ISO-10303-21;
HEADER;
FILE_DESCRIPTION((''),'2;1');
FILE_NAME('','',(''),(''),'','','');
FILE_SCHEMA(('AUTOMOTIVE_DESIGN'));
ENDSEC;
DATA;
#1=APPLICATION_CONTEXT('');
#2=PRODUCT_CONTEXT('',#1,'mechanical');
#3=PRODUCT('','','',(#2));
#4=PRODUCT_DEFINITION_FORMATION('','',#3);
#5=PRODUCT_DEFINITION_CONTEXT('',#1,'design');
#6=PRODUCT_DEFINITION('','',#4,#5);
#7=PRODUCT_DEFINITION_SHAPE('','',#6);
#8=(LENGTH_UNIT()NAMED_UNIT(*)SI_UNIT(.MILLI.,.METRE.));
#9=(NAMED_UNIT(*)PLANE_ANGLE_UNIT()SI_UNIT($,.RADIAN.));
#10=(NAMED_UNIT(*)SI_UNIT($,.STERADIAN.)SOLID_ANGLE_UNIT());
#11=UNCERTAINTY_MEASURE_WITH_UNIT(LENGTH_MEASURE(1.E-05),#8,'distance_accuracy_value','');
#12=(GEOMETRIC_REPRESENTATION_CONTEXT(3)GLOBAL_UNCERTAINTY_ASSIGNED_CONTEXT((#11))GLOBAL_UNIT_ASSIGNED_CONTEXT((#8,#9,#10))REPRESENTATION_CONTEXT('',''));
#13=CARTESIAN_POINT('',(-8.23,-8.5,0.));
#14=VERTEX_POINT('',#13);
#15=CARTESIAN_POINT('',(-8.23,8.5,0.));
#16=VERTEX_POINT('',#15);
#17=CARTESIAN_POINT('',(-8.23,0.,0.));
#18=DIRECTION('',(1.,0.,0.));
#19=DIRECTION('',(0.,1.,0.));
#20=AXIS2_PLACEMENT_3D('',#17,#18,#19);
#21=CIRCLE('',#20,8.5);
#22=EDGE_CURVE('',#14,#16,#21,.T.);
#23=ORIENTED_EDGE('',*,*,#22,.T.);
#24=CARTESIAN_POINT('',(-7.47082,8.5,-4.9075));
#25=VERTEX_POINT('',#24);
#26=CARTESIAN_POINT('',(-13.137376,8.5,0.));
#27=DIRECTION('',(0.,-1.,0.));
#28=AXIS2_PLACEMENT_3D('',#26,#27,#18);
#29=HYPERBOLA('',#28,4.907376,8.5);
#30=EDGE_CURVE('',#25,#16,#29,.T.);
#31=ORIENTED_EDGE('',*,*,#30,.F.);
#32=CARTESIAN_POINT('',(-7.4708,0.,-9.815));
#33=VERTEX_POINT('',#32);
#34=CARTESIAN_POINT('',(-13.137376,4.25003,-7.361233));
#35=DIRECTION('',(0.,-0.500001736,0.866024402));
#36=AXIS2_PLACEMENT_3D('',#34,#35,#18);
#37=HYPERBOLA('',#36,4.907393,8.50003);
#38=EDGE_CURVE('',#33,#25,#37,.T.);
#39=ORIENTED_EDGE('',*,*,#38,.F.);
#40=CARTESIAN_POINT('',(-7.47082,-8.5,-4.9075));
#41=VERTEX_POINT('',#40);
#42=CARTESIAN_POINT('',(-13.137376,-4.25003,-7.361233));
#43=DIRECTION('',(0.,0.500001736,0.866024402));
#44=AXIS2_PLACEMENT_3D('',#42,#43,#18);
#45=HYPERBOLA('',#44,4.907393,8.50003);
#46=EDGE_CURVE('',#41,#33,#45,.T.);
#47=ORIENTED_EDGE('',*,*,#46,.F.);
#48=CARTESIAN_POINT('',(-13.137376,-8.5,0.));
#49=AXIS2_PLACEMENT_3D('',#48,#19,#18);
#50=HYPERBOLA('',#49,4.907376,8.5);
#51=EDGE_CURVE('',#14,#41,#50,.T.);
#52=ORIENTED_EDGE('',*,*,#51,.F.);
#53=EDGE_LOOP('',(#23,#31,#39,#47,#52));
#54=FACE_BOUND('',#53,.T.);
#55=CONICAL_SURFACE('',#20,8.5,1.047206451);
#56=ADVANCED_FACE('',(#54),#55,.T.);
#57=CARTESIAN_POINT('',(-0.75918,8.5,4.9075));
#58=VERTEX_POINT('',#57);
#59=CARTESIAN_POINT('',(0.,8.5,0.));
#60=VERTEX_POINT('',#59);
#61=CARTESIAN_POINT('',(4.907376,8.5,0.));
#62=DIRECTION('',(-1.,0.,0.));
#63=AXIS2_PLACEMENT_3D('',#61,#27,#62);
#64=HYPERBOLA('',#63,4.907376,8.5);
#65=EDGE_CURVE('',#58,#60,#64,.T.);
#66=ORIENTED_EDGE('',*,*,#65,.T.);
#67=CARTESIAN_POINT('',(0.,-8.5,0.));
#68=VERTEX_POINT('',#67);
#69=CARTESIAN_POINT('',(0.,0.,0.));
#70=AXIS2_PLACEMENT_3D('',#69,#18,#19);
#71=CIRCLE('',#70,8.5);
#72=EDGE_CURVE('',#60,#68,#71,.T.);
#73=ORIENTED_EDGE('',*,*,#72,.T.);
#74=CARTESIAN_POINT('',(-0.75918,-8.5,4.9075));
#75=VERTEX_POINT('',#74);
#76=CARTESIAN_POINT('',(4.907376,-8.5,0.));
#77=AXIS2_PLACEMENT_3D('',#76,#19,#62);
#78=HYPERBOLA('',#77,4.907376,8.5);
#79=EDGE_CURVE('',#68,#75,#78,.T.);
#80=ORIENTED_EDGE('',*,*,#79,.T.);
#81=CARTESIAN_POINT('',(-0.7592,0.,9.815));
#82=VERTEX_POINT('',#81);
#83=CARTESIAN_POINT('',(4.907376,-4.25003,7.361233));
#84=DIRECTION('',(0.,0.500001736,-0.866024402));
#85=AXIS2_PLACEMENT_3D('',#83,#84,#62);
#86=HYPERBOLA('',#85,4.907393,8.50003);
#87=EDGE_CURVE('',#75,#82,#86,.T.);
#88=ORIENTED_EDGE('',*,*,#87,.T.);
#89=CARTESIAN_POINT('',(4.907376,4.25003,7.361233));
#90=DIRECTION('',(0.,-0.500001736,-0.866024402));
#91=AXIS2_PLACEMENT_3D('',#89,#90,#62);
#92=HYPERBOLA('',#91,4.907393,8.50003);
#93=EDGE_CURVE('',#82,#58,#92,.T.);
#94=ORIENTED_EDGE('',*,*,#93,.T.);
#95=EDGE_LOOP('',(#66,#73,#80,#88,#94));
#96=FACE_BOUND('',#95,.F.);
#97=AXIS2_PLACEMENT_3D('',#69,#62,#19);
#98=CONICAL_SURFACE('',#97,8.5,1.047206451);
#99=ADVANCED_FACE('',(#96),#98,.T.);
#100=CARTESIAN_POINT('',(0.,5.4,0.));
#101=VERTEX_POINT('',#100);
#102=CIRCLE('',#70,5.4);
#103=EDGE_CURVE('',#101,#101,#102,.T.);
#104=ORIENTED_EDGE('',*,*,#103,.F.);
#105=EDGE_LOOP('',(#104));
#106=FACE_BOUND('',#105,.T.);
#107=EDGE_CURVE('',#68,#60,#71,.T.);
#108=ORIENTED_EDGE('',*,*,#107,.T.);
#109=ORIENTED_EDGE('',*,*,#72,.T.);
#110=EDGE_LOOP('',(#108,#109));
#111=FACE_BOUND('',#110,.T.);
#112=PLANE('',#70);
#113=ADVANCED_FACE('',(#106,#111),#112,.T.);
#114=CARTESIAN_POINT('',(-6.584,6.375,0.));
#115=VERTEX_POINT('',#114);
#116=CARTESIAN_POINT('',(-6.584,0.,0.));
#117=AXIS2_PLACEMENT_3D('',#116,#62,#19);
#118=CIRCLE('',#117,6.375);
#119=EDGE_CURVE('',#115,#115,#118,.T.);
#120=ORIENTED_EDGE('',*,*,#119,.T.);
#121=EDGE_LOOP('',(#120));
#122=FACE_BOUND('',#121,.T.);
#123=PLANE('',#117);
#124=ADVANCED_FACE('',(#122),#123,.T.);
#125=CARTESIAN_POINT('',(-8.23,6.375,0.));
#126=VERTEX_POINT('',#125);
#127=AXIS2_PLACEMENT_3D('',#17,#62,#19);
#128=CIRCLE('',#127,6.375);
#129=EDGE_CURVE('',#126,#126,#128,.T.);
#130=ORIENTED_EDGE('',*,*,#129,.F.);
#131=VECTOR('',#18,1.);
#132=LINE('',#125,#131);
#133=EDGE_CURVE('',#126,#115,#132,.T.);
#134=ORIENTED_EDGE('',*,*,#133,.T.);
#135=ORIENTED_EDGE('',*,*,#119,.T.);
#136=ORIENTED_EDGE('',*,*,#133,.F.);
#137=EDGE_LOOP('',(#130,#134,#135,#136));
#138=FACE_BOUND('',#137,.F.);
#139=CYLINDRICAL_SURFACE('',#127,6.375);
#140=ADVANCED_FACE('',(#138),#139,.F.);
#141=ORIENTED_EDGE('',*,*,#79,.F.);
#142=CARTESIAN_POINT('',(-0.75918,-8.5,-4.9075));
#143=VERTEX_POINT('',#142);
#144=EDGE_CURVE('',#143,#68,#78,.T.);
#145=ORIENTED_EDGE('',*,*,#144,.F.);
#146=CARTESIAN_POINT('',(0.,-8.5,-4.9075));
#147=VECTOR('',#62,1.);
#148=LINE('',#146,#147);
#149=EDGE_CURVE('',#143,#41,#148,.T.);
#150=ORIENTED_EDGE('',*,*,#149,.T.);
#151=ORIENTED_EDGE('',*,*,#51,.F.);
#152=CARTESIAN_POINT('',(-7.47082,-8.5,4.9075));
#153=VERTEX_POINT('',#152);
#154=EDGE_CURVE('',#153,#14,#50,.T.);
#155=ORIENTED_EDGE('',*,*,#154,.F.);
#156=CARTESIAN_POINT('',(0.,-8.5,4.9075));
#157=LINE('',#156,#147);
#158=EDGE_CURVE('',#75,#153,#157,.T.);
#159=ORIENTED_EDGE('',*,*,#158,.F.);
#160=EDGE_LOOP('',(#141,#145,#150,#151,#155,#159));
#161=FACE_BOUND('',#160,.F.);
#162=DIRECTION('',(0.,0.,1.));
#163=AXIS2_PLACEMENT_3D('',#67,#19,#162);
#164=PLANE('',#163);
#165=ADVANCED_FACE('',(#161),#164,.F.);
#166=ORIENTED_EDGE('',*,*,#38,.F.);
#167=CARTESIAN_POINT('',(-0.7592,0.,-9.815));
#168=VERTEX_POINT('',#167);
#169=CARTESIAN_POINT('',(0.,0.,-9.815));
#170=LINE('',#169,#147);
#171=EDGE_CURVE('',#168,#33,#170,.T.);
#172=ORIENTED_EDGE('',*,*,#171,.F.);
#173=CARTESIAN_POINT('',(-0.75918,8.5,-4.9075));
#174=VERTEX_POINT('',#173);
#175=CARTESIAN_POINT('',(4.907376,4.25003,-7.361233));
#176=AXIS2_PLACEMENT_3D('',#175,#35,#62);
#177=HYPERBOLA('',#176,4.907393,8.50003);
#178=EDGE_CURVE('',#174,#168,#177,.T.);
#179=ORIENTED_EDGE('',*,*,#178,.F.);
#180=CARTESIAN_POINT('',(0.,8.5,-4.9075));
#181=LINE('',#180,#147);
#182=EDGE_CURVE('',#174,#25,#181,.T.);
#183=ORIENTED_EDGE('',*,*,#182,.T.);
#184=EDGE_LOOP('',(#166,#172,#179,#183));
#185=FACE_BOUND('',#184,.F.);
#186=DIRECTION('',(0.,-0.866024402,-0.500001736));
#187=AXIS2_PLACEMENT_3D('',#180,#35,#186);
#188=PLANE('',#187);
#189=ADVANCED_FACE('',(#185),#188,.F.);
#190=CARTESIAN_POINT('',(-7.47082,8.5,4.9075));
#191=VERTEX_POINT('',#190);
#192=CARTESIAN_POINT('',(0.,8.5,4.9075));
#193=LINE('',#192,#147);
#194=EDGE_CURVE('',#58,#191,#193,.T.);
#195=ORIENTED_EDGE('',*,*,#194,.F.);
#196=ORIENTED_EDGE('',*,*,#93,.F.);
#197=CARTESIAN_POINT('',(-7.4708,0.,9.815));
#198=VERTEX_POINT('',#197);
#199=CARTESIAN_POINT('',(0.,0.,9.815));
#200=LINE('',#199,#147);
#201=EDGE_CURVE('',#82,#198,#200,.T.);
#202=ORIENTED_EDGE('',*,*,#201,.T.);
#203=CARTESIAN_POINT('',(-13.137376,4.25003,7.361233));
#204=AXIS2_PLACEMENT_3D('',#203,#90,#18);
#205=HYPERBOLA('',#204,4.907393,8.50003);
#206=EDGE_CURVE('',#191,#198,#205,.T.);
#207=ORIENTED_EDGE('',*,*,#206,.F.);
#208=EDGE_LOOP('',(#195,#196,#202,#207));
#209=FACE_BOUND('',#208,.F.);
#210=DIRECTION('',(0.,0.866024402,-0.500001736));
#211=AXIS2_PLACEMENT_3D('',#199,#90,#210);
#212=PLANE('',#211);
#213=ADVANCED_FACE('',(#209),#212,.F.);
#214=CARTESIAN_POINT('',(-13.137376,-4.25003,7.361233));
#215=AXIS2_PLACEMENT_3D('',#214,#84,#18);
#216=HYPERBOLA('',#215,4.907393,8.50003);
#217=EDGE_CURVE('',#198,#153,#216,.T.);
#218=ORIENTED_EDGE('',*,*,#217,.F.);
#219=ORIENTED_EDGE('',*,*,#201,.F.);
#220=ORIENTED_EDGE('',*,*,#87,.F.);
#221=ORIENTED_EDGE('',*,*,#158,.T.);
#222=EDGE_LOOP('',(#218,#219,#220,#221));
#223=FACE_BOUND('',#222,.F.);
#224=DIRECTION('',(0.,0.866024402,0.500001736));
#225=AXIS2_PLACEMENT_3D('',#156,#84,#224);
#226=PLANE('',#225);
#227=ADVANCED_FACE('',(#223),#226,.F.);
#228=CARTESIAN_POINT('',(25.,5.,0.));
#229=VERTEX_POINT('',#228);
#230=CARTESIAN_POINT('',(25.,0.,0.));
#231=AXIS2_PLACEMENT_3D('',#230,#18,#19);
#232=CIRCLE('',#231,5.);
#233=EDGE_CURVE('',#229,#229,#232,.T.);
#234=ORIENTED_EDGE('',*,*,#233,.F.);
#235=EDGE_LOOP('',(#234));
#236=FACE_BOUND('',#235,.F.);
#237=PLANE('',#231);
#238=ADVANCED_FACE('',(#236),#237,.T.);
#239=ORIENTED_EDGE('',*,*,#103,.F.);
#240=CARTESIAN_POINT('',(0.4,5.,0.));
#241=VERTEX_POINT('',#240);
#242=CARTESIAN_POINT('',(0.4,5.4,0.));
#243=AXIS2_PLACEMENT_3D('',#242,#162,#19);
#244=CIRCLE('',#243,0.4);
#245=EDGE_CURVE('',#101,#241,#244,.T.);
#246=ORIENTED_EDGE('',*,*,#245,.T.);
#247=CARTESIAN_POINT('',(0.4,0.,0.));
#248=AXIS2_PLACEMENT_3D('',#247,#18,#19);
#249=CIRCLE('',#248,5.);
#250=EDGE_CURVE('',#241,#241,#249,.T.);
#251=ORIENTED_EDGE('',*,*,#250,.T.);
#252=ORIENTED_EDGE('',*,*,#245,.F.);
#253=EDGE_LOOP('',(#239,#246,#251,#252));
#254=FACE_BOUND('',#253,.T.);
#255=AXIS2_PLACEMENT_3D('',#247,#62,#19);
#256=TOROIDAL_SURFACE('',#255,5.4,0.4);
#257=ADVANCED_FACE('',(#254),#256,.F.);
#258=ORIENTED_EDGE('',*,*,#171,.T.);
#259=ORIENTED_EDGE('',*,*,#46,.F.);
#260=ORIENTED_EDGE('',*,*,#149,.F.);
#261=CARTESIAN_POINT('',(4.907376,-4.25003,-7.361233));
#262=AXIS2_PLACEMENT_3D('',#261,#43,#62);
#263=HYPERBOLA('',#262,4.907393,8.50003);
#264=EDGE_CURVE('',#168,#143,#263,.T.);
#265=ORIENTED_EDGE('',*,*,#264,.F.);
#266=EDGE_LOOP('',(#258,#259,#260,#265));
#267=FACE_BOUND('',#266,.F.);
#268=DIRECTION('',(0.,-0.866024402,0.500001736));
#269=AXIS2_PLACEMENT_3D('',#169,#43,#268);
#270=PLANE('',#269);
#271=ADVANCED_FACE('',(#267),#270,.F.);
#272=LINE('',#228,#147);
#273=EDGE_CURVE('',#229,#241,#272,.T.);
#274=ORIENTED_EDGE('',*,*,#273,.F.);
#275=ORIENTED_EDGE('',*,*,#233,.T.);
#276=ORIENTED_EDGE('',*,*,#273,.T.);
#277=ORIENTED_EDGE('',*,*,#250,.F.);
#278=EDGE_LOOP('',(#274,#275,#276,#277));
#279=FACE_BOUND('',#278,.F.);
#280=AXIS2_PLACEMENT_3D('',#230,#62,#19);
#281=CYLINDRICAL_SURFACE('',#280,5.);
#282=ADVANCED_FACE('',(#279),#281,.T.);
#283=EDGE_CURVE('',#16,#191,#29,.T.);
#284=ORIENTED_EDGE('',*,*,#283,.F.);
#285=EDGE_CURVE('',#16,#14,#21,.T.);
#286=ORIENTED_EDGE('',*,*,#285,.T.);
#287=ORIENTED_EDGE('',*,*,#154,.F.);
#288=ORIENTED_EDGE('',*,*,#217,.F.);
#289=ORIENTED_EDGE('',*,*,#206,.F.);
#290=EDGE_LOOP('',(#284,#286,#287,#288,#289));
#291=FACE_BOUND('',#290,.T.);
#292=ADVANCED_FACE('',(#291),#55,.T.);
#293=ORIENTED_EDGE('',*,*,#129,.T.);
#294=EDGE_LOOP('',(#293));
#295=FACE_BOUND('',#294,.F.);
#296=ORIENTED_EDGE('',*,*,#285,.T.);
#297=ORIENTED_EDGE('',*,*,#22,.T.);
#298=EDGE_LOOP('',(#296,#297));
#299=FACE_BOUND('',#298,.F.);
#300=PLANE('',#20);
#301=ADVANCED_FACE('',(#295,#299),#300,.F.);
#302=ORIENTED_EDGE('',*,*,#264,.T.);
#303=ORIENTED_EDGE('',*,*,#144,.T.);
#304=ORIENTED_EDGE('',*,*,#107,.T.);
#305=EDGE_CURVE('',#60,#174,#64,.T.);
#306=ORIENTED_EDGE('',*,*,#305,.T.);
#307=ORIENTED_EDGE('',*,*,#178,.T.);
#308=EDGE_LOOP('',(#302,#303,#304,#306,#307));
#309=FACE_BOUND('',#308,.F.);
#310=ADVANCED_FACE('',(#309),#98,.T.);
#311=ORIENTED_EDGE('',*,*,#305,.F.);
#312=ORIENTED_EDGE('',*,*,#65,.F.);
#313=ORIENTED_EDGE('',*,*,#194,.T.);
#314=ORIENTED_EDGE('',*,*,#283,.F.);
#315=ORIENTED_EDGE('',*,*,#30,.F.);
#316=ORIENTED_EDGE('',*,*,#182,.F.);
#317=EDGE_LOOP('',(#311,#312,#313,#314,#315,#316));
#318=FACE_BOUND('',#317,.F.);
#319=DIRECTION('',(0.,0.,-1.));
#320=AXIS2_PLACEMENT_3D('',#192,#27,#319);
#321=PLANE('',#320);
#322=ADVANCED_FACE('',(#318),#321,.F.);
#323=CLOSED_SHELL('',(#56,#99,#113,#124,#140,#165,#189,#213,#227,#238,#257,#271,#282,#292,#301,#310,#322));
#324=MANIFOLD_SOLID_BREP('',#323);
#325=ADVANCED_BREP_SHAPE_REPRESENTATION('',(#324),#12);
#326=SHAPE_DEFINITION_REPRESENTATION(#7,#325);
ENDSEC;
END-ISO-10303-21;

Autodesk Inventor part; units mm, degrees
ref_plane "YZ Plane" through (0, 0, 0) normal (1, 0, 0) x (0, 1, 0)
ref_plane "XZ Plane" through (0, 0, 0) normal (0, 1, 0) x (-1, 0, 0)
sketch "Sketch1" plane through (0, 0, 0) normal (0, 0, 1) x (1, 0, 0)
  line L0 (0, 5) -> (0, 0)
  line L1 (0, 0) -> (25, 0)
  line L2 (25, 0) -> (25, 5)
  line L3 (25, 5) -> (0, 5)
  line L4 (-5, 0) -> (30, 0) projected
  line L5 (0, -1) -> (0, 6) projected
  dimension "d0" = 10
  dimension "d1" = 25
revolve "Body" add sketch "Sketch1" angle 360 about axis through (0, 0, 0) along (1, 0, 0)
sketch "Sketch2" plane through (0, 0, 0) normal (1, 0, 0) x (0, 1, 0)
  line L0 (0, 9.815) -> (8.5, 4.9075)
  line L1 (8.5, 4.9075) -> (8.5, -4.9075)
  line L2 (8.5, -4.9075) -> (0, -9.815)
  line L3 (0, -9.815) -> (-8.5, -4.9075)
  line L4 (-8.5, -4.9075) -> (-8.5, 4.9075)
  line L5 (-8.5, 4.9075) -> (0, 9.815)
  line L6 (-11.9, 0) -> (11.9, 0) projected
  line L7 (0, -13.7409) -> (0, 13.7409) projected
  point P0 (0, 0)
  point P1 (0, 0)
  dimension "d2" = 17
extrude "Head" add sketch "Sketch2" against normal blind 8.23
sketch "Sketch3" plane through (-8.23, 0, 0) normal (-1, 0, 0) x (0, 1, 0)
  circle A0 centre (0, 0) radius 6.375
  point P0 (0, 0)
  dimension "d12" = 12.75
extrude "Indent1" cut sketch "Sketch3" against normal blind 1.646
sketch "Sketch4" plane through (0, 0, 0) normal (0, 0, 1) x (1, 0, 0)
  line L0 (-8.23, 9.815) -> (-8.23, 8.5)
  line L1 (-8.23, 8.5) -> (-7.4708, 9.815)
  line L2 (-7.4708, 9.815) -> (-8.23, 9.815)
  line L3 (0, 9.815) -> (0, 8.5)
  line L4 (0, 8.5) -> (-0.7592, 9.815)
  line L5 (-0.7592, 9.815) -> (0, 9.815)
  line L6 (0, 0) -> (-8.23, 0) projected
  line L7 (-8.23, 0) -> (-8.23, 8.5) projected
  line L8 (0, 0) -> (0, 8.5) projected
  line L9 (-9.876, 0) -> (1.646, 0) projected
  line L10 (-7.4708, 9.815) -> (-0.7592, 9.815) construction
  line L11 (0, -1.963) -> (0, 11.7779) projected
  dimension "d6" = 30
  dimension "d7" = 30
  dimension "d16" = 17
  dimension "d17" = 17
  dimension "d18" = 19.6299
revolve "Chamfer1" cut sketch "Sketch4" angle 360 about axis through (-10, 0, 0) along (1, 0, 0)
fillet "Fillet1" radius 0.4 1 edges at (0, -5, 0)
thread "Thread" size "M10x1.5" class "6g" standard "ISO Metric profile" length 22
ref_plane "Work Plane1" through (3, 0, 0) normal (0, 0.5, 0.866) x (1, 0, 0)
equation "\"d0\" = GD"
equation "\"d1\" = NLG"
equation "\"d2\" = SW"
equation "\"d3\" = KOH"
equation "\"d12\" = 0.75 * SW0"
equation "\"d14\" = 0.2 * KOH"
equation "\"d6\" = ANG1"
equation "\"d7\" = ANG1"
equation "\"d16\" = SW0"
equation "\"d17\" = SW0"
equation "\"d18\" = 1.1547 * SW"
equation "\"d11\" = RR"
equation "\"d8\" = GEL"
equation "\"NLG\" = 25"
equation "\"KOH\" = 8.23"
equation "\"GD\" = NND"
equation "\"GEL\" = 22"
equation "\"SW\" = 17"
equation "\"SW0\" = SW"
equation "\"ANG1\" = 30deg"
equation "\"RR\" = 0.4"
equation "\"GUL\" = 0.61345 * PTC"
equation "\"SPD\" = NND - 1.2269 * PTC"
equation "\"GD1\" = THREADDIA - 1.2269 * PTC"
equation "\"SDH\" = 11.2"
equation "\"TOA\" = 30deg"
equation "\"FAWI\" = 45deg"
equation "\"PTC\" = 1.5"
equation "\"GAL\" = 0.61345 * PTC"
equation "\"SD\" = 0"
equation "\"SD2\" = SDH"
equation "\"E0\" = 1.155 * SW"
equation "\"NND\" = 10"
equation "\"THREADDIA\" = 10"
properties part number "AS 1427 - M10 x 25" material "Steel, Mild"
